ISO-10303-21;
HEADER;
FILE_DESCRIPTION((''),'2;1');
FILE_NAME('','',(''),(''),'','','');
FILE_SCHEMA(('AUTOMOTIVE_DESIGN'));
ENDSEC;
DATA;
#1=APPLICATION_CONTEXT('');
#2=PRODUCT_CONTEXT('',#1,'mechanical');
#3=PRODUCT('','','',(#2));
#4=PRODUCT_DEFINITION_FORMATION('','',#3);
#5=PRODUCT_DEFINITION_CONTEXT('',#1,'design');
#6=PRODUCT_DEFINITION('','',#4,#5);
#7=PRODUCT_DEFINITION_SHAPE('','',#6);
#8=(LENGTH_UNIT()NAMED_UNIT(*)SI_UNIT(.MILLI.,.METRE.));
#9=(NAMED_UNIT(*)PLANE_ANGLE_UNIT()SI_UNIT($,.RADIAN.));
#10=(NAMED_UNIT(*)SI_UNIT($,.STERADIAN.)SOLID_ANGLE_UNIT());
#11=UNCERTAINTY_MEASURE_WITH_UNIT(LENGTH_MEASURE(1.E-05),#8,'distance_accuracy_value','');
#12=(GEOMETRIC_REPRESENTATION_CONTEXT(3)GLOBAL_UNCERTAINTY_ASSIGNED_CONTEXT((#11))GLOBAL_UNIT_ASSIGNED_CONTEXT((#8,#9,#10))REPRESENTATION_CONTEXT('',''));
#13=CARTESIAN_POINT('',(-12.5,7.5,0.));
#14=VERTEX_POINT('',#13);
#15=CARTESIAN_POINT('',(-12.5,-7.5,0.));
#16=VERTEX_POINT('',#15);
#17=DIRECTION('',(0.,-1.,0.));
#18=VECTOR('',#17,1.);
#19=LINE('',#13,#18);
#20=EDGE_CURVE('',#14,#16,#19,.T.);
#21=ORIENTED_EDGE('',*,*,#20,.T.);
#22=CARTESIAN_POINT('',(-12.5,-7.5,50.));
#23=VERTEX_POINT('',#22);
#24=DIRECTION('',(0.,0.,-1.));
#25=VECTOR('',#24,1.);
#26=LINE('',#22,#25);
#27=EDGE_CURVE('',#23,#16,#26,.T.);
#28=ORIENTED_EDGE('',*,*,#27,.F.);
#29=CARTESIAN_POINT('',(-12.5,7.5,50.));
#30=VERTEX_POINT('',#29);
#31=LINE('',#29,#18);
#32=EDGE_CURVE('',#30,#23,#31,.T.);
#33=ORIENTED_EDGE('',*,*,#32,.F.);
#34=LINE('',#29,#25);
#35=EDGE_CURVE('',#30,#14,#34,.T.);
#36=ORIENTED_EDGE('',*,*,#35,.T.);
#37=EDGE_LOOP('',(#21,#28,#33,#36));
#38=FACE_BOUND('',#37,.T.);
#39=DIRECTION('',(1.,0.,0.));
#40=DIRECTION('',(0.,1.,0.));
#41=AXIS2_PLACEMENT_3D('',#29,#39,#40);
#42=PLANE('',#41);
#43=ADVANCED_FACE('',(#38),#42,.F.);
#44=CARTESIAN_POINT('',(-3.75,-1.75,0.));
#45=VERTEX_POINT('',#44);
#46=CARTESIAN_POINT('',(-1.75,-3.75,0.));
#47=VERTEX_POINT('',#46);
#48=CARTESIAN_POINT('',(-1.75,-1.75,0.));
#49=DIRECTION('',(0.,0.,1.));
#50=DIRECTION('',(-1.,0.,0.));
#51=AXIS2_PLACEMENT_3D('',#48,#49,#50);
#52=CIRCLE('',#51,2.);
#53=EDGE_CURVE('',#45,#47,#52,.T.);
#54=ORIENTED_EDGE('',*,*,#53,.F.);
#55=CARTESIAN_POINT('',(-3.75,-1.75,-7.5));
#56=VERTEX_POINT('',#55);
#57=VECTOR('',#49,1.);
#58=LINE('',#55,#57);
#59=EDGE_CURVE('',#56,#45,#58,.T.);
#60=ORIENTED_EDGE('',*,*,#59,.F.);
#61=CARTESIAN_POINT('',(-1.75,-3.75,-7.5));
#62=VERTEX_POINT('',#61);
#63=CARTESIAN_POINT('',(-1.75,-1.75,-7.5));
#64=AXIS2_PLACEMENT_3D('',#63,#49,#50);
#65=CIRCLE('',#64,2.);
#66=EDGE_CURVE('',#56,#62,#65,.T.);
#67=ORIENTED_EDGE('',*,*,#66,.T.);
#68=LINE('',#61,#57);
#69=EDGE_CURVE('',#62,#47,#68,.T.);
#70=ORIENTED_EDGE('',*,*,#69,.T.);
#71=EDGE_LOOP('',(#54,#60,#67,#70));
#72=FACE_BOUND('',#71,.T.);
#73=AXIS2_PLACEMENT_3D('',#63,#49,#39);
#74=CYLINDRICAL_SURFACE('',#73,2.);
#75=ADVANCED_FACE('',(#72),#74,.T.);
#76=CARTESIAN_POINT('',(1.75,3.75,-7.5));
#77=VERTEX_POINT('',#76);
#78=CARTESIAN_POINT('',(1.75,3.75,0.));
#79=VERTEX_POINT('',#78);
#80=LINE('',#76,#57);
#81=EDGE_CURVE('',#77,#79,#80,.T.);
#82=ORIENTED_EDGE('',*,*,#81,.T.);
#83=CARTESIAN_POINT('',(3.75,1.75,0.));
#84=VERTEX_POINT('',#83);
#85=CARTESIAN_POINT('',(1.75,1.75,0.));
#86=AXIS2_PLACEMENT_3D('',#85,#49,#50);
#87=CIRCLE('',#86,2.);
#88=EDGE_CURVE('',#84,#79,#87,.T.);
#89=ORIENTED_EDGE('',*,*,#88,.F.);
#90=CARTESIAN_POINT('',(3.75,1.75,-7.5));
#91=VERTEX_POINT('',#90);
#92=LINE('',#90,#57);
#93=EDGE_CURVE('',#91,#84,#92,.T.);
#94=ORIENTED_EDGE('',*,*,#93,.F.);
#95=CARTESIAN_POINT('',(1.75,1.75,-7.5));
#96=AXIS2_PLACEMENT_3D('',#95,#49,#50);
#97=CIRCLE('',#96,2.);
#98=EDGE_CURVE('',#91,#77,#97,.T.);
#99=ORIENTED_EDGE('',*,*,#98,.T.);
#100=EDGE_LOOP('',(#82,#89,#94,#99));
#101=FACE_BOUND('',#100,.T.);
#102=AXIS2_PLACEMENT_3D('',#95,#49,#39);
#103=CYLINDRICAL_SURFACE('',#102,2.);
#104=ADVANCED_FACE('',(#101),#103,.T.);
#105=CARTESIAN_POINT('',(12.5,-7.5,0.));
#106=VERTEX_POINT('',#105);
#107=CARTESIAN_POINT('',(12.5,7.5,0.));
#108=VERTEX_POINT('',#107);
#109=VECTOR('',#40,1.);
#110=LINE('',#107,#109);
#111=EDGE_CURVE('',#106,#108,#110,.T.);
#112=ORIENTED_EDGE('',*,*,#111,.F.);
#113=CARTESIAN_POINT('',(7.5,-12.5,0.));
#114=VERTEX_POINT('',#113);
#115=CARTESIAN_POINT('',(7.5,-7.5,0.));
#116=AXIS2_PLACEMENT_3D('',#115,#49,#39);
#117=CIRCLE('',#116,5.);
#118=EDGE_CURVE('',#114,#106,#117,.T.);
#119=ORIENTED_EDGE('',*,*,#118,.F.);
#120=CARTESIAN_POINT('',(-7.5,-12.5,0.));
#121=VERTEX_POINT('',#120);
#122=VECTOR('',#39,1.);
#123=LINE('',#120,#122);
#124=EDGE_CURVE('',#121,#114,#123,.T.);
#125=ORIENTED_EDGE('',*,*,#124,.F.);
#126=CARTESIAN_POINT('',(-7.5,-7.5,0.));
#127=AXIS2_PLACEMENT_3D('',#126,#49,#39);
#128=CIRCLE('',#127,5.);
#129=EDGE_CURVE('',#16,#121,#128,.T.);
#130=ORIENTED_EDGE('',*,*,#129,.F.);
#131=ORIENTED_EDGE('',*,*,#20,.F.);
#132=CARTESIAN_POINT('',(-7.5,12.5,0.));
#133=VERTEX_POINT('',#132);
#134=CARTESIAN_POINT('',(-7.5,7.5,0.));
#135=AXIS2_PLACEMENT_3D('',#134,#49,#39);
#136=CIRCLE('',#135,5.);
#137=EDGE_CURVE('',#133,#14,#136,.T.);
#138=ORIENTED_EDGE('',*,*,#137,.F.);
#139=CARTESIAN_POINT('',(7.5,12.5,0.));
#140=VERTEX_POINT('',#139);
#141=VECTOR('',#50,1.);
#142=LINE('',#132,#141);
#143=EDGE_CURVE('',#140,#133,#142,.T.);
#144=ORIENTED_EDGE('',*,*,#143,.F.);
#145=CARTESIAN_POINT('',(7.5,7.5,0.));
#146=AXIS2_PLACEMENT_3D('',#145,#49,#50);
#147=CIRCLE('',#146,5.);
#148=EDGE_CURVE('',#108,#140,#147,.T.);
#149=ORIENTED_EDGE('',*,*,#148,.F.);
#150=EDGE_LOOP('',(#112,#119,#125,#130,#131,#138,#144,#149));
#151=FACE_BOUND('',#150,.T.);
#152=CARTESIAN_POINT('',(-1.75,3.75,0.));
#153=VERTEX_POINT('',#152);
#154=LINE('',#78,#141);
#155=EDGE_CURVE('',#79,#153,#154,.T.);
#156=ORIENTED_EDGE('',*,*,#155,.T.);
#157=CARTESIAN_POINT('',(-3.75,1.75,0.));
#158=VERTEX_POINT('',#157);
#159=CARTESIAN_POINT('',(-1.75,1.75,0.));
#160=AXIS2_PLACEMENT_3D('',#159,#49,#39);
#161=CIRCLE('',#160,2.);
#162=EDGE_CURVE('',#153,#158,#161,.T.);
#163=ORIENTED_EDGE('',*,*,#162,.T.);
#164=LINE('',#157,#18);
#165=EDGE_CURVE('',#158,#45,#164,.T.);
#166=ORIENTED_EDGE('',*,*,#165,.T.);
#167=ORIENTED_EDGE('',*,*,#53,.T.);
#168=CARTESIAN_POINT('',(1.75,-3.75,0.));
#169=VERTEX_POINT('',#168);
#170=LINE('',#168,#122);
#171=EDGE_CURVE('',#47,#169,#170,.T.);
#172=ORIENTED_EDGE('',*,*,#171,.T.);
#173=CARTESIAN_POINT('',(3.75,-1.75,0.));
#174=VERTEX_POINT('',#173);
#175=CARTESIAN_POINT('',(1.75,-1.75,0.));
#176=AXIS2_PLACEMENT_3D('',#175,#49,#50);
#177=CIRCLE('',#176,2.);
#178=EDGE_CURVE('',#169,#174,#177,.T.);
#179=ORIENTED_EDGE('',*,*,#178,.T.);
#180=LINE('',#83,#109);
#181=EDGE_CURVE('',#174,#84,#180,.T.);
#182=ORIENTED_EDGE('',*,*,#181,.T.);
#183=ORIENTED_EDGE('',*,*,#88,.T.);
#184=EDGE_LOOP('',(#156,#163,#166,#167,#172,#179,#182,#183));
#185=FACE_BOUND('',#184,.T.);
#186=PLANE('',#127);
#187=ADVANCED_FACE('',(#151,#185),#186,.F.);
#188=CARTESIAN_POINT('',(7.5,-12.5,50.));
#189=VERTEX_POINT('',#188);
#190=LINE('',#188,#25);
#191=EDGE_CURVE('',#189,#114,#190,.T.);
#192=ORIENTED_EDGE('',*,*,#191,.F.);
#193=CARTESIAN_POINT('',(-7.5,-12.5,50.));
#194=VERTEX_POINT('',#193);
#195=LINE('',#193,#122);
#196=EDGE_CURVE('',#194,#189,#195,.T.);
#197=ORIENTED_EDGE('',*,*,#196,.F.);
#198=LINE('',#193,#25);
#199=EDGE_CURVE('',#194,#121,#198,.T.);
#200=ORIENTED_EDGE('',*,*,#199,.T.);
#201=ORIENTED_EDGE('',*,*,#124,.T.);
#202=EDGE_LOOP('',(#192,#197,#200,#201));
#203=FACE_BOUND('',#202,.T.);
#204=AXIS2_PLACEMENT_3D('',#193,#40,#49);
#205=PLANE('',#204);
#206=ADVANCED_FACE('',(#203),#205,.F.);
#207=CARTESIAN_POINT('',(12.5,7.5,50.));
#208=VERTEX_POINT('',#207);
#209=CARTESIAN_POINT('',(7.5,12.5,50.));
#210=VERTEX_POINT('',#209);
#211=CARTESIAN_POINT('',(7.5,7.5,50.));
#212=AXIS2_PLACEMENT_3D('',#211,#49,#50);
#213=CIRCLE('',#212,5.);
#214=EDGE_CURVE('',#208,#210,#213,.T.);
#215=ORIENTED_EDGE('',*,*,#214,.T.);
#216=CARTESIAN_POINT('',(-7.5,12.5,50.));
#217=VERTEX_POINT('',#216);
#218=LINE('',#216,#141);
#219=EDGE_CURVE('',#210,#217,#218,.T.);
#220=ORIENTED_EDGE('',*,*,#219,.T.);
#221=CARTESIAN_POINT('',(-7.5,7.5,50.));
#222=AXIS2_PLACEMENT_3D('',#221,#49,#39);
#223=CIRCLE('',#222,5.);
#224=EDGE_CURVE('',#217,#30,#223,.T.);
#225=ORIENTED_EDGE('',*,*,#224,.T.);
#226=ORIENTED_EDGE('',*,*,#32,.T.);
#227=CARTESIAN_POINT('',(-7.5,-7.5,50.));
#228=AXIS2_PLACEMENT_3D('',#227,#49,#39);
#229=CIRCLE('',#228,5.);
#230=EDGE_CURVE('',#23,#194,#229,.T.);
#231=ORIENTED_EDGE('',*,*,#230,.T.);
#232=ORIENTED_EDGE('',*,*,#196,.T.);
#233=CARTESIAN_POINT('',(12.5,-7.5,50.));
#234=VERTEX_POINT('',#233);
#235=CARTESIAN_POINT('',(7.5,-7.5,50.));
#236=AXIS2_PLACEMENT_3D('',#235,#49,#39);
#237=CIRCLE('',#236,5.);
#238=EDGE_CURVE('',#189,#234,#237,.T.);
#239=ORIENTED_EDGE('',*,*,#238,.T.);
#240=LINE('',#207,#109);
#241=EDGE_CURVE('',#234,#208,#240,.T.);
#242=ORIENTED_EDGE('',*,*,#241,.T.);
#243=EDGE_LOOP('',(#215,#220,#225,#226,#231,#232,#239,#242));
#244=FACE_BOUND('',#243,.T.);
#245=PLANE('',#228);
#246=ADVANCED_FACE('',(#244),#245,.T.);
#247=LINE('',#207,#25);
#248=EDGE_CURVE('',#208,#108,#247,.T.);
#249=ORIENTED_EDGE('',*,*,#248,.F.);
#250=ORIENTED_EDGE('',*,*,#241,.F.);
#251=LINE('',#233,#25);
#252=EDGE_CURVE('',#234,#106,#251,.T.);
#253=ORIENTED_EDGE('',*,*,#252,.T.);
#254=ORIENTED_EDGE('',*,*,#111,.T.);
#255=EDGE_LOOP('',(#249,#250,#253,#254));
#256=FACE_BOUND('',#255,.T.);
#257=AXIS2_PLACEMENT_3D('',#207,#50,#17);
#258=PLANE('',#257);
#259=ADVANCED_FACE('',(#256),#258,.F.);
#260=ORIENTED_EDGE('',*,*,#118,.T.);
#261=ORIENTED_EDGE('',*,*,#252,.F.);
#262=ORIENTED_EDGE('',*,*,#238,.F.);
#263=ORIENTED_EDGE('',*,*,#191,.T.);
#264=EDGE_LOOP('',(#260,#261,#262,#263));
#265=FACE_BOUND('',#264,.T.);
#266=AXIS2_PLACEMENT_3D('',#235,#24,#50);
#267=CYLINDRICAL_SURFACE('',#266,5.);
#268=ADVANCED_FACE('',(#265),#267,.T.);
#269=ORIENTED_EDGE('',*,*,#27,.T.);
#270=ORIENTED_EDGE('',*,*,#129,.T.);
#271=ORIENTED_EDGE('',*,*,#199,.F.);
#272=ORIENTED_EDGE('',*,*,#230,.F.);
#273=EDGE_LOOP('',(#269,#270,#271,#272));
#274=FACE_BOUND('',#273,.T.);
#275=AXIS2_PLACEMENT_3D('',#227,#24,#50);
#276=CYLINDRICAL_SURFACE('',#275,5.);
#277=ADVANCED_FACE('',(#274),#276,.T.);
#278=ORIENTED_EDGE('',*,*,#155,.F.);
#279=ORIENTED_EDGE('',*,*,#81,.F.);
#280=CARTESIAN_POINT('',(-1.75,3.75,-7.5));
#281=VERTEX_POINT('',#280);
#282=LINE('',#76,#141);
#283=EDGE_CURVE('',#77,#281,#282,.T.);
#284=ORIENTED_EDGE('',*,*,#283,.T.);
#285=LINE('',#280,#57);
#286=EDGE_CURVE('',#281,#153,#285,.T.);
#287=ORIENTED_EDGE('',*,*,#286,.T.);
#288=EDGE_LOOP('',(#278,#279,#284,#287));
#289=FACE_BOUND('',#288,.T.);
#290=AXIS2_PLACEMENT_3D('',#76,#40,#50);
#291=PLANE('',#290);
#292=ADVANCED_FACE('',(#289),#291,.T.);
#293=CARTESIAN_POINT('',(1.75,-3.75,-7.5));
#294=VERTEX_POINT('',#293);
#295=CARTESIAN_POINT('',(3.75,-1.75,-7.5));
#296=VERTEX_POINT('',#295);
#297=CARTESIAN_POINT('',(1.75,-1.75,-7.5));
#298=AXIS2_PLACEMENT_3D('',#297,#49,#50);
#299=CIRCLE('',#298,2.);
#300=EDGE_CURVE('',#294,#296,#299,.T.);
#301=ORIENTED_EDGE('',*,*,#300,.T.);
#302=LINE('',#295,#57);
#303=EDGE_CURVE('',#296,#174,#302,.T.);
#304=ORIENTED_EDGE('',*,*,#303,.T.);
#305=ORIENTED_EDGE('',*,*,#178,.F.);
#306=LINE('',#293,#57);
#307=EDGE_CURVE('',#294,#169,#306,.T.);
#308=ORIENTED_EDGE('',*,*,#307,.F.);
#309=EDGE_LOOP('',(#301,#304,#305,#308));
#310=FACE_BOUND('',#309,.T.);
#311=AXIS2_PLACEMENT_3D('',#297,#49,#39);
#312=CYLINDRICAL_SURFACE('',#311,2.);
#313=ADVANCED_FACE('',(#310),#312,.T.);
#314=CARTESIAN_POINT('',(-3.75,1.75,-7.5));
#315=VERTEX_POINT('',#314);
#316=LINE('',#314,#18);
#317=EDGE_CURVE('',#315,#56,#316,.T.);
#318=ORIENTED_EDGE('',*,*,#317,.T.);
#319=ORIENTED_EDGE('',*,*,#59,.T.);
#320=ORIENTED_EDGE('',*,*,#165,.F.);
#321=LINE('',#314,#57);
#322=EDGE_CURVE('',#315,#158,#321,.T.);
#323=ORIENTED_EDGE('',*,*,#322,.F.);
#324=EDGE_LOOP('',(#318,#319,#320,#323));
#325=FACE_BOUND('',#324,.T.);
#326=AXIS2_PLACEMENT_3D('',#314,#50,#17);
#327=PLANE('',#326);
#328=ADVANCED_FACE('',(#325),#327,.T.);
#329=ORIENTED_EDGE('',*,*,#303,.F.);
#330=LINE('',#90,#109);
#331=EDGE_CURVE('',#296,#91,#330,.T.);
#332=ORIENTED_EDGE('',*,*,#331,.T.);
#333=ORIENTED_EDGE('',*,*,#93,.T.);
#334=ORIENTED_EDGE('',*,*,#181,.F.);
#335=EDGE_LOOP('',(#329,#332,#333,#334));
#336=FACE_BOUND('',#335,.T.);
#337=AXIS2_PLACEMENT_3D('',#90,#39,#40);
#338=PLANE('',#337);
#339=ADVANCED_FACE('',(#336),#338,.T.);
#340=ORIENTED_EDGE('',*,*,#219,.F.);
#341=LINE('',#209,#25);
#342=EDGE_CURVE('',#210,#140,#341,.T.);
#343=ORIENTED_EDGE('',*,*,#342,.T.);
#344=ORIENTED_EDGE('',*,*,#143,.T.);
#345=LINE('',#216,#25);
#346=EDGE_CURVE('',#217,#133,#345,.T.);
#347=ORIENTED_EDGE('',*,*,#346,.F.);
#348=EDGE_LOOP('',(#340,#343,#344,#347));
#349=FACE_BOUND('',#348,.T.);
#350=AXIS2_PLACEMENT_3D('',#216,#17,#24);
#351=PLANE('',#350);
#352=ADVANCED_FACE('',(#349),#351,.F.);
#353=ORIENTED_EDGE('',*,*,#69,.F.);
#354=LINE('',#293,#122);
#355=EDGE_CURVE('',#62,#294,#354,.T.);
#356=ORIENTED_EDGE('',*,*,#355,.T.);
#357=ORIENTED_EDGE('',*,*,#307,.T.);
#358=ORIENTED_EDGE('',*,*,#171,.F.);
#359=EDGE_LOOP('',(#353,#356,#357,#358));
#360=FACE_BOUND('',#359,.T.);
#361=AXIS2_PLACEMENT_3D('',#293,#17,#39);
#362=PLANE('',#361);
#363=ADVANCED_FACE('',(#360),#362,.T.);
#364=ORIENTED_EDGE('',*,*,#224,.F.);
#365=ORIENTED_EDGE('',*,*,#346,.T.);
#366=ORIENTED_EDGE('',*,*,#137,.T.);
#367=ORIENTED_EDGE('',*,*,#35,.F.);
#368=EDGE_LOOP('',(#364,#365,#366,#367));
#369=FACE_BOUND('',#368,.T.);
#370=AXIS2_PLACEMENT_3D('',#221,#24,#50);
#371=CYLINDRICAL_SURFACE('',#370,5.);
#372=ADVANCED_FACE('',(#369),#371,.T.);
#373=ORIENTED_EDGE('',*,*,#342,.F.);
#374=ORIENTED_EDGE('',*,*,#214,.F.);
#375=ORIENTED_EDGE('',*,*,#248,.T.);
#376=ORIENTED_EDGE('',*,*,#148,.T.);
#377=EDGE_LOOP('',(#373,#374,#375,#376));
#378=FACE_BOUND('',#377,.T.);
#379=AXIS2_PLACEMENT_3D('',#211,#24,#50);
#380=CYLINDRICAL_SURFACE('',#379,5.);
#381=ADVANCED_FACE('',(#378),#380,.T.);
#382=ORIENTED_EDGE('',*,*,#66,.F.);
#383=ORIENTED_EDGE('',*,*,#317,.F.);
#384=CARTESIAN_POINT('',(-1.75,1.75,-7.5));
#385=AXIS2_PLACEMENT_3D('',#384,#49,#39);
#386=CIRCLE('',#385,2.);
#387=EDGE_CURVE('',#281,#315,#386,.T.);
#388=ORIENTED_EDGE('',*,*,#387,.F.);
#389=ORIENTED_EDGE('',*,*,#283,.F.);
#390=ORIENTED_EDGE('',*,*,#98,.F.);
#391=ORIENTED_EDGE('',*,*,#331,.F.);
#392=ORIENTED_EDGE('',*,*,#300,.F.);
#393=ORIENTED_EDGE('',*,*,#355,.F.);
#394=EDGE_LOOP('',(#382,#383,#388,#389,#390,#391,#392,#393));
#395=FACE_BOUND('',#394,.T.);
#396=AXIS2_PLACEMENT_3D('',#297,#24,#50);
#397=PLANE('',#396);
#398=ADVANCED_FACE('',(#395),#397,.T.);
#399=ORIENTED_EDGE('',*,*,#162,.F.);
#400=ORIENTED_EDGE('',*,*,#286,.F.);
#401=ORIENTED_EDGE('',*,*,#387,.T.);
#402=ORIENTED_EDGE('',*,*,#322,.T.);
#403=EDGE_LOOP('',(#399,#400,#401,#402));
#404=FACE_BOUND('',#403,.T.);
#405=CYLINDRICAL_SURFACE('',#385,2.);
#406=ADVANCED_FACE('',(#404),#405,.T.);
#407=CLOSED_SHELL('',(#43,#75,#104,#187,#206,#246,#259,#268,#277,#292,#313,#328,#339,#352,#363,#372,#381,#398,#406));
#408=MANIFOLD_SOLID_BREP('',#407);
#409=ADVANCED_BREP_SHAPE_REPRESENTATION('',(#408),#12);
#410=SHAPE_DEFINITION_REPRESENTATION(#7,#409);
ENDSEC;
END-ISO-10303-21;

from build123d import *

# Parameters (mm, degrees)
Y_KSEKLIK_EKSTR_ZYON1_DEPTH = 50
Y_KSEKLIK_EKSTR_ZYON2_DEPTH = 7.5


with BuildPart() as part:
    # Çizim1 → Yükseklik-Ekstrüzyon1 (new body)
    with BuildSketch(Plane.XY):
        with BuildLine():
            Line((-7.5, 12.5), (7.5, 12.5))
            ThreePointArc((7.5, 12.5), (11.035533906, 11.035533906), (12.5, 7.5))
            Line((12.5, 7.5), (12.5, -7.5))
            ThreePointArc((12.5, -7.5), (11.035533906, -11.035533906), (7.5, -12.5))
            Line((7.5, -12.5), (-7.5, -12.5))
            ThreePointArc((-7.5, -12.5), (-11.035533906, -11.035533906), (-12.5, -7.5))
            Line((-12.5, -7.5), (-12.5, 7.5))
            ThreePointArc((-12.5, 7.5), (-11.035533906, 11.035533906), (-7.5, 12.5))
        make_face()
    extrude(amount=Y_KSEKLIK_EKSTR_ZYON1_DEPTH)

    # Çizim2 → Yükseklik-Ekstrüzyon2 (add)
    with BuildSketch(Plane.XY):
        with BuildLine():
            Line((1.75, 3.75), (-1.75, 3.75))
            ThreePointArc((-1.75, 3.75), (-3.164213562, 3.164213562), (-3.75, 1.75))
            Line((-3.75, 1.75), (-3.75, -1.75))
            ThreePointArc((-3.75, -1.75), (-3.164213562, -3.164213562), (-1.75, -3.75))
            Line((-1.75, -3.75), (1.75, -3.75))
            ThreePointArc((1.75, -3.75), (3.164213562, -3.164213562), (3.75, -1.75))
            Line((3.75, -1.75), (3.75, 1.75))
            ThreePointArc((3.75, 1.75), (3.164213562, 3.164213562), (1.75, 3.75))
        make_face()
    extrude(amount=-Y_KSEKLIK_EKSTR_ZYON2_DEPTH)


solid = part.part
